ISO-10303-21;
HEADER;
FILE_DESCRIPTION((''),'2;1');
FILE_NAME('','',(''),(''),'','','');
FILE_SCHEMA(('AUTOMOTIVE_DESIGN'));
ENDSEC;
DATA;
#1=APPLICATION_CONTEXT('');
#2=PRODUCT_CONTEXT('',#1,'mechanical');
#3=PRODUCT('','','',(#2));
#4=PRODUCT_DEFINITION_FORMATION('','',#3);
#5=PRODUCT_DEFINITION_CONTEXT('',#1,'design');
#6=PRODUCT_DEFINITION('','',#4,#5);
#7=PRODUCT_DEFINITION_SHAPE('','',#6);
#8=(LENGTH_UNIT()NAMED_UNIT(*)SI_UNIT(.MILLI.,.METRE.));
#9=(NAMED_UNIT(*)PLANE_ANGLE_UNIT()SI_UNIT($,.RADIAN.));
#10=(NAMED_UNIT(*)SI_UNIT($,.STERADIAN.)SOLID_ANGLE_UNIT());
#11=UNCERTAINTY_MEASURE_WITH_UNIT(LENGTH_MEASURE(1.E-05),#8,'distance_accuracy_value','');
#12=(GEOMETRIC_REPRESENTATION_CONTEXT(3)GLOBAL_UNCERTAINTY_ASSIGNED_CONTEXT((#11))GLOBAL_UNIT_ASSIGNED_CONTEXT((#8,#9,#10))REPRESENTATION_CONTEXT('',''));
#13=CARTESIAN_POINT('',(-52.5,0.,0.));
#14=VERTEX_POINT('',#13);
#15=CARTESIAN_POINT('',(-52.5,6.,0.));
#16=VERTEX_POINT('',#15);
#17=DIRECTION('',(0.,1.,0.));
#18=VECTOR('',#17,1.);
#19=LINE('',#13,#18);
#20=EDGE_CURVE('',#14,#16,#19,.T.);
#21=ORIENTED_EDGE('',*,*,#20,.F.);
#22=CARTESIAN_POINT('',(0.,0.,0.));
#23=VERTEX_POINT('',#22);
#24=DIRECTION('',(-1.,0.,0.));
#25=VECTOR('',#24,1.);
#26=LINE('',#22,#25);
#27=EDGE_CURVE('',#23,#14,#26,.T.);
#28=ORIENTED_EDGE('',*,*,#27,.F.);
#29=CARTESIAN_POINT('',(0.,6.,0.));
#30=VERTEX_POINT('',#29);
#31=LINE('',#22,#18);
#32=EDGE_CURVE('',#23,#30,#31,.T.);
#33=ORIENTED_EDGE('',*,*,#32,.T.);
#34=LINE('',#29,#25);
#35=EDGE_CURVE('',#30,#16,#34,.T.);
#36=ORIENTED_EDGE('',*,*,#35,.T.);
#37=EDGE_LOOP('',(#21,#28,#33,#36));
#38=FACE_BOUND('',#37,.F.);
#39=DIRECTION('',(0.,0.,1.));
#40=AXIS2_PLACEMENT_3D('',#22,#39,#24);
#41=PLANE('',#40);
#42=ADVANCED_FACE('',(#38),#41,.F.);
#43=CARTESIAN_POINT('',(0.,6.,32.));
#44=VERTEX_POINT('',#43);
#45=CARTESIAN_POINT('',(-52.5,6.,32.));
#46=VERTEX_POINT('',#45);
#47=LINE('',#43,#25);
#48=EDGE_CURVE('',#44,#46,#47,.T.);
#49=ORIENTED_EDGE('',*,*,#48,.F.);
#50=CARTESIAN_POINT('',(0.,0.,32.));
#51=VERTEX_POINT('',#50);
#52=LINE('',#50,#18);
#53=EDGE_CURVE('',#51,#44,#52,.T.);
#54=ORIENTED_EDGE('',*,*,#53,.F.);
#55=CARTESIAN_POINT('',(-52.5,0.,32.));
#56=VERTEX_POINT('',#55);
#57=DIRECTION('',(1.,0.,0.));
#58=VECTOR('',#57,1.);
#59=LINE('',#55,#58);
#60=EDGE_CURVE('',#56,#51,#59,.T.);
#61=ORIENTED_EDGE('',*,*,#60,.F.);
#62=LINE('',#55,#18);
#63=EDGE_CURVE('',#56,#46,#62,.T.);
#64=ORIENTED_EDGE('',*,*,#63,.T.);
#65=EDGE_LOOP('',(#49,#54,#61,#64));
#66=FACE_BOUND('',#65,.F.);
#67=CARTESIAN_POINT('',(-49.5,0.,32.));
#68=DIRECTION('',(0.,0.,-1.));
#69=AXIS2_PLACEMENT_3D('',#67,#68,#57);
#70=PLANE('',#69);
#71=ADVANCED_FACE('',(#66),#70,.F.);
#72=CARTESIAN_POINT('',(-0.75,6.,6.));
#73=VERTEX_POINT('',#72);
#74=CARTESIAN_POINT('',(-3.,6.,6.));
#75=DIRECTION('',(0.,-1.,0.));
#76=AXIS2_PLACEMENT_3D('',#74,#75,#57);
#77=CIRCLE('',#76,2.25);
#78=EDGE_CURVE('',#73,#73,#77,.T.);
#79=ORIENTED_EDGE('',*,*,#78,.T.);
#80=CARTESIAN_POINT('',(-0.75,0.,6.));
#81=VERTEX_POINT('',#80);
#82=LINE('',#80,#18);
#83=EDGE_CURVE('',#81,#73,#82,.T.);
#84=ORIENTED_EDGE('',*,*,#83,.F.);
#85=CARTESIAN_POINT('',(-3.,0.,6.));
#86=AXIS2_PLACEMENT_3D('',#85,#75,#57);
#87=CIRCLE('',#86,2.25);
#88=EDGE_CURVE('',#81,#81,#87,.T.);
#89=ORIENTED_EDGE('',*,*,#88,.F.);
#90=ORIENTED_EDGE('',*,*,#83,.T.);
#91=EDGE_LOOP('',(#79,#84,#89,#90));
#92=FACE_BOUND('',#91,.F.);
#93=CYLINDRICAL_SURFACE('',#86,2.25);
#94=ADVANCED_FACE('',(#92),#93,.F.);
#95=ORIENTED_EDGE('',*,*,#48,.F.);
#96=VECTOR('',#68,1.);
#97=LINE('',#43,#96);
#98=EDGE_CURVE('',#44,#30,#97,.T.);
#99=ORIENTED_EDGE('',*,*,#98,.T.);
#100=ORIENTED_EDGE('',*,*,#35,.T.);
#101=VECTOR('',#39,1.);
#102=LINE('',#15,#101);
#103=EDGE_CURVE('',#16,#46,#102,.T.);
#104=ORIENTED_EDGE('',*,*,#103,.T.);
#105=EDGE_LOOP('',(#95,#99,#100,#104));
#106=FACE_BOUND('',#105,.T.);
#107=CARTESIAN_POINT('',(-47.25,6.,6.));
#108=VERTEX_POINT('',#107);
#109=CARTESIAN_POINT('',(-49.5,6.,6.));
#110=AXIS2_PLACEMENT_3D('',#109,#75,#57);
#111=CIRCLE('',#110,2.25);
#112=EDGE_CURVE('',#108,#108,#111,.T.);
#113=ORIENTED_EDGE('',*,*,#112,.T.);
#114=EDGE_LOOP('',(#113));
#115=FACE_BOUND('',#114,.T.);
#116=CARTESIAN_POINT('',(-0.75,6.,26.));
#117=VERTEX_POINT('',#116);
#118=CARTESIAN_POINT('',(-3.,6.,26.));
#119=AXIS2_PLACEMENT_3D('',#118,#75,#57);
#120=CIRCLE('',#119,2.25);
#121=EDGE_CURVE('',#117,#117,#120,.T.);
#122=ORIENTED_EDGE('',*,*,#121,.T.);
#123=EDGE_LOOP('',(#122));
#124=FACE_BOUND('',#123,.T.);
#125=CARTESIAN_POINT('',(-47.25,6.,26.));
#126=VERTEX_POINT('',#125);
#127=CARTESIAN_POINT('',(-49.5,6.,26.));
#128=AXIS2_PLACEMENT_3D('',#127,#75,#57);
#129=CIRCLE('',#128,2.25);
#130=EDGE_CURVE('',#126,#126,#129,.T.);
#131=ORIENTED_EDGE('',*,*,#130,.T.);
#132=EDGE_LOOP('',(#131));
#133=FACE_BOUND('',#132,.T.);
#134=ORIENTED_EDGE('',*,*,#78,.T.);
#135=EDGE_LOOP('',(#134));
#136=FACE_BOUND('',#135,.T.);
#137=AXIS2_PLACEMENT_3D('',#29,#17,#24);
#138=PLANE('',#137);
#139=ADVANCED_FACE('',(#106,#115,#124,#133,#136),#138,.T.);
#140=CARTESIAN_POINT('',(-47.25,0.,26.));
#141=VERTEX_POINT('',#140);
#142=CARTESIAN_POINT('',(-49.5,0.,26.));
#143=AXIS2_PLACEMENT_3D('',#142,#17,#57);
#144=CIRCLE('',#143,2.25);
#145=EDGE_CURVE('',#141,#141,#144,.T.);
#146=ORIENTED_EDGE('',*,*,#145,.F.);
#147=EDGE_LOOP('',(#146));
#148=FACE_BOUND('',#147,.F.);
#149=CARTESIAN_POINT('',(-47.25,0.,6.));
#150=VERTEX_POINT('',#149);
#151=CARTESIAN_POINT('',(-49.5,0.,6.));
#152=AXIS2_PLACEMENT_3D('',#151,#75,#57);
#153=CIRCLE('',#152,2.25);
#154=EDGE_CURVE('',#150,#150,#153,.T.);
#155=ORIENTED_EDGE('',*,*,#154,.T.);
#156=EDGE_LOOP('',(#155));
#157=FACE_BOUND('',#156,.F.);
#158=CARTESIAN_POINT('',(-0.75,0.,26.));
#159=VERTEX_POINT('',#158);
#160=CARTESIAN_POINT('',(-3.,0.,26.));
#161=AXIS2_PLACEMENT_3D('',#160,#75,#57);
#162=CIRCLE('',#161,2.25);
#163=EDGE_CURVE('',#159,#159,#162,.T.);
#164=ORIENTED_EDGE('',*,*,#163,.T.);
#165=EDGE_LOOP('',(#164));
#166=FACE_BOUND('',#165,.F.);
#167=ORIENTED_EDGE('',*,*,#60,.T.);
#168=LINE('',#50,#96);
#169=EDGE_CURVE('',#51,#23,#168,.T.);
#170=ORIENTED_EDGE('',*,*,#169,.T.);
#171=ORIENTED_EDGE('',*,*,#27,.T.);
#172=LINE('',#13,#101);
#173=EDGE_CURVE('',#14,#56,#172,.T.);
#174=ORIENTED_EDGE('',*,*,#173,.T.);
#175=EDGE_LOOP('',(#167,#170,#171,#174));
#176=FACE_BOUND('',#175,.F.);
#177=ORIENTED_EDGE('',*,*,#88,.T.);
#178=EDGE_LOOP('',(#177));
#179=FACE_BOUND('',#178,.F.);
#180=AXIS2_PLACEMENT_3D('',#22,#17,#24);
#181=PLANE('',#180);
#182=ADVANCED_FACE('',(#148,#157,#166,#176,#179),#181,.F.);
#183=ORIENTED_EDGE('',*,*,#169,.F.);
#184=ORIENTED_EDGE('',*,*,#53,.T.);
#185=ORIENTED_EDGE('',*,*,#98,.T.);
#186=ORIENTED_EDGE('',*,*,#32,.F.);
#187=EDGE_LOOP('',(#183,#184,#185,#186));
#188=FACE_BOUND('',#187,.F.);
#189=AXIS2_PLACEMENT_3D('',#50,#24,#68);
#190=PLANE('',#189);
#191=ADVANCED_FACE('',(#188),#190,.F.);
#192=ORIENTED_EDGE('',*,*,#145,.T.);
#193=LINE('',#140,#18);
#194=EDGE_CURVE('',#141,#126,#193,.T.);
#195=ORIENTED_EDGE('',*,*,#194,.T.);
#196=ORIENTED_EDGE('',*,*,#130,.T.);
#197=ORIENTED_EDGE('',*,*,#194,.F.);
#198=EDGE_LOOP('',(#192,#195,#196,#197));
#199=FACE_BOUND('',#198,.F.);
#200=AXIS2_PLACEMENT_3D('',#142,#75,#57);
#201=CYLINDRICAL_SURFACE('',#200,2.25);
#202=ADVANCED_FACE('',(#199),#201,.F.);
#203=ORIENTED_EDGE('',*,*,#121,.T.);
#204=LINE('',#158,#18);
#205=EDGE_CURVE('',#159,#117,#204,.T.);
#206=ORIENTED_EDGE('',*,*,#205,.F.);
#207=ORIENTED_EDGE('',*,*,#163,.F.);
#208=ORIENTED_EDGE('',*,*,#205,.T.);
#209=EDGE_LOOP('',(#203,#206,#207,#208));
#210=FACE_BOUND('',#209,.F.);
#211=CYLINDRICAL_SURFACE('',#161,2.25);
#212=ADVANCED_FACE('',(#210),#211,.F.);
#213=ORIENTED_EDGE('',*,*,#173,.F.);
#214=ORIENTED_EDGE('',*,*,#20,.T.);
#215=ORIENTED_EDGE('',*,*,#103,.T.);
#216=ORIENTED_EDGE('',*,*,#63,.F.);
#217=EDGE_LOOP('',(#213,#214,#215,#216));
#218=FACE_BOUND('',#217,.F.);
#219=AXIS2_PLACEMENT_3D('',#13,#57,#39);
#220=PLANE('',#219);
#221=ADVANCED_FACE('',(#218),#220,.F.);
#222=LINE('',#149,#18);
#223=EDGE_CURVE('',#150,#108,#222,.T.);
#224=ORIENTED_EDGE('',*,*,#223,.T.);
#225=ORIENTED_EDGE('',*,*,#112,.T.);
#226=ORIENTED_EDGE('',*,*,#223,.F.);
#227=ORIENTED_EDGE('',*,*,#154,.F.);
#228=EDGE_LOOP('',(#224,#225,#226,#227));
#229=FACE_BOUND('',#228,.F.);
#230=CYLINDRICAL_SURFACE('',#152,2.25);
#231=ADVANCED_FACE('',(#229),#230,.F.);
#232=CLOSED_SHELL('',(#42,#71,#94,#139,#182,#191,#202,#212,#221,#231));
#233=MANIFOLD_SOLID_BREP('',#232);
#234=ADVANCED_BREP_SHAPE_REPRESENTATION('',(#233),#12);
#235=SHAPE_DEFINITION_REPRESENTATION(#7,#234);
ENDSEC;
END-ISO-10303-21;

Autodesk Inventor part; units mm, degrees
ref_plane "YZ Plane" through (0, 0, 0) normal (1, 0, 0) x (0, 1, 0)
ref_plane "XZ Plane" through (0, 0, 0) normal (0, 1, 0) x (-1, 0, 0)
ref_plane "XY Plane" through (0, 0, 0) normal (0, 0, 1) x (1, 0, 0)
sketch "Sketch11" plane through (0, 0, 0) normal (0, 1, 0) x (-1, 0, 0)
  line L0 (0, 0) -> (52.5, 0)
  line L1 (52.5, 0) -> (52.5, 32)
  line L2 (52.5, 32) -> (0, 32)
  line L3 (0, 32) -> (0, 0)
  line L4 (52.5, 32) -> (49.5, 32)
  dimension "d63" = 52.5
  dimension "d64" = 32
  dimension "d67" = 3
extrude "Extrusion10" add sketch "Sketch11" along normal blind 6
sketch "Sketch12" plane through (0, 0, 0) normal (0, -1, 0) x (1, 0, 0)
  line L0 (-52.5, 32) -> (-49.5, 32)
  line L1 (-52.5, 32) -> (0, 32) projected
  line L2 (-49.5, 32) -> (-49.5, 26)
  circle A0 centre (-49.5, 26) radius 2.25
  circle A1 centre (-3, 26) radius 2.25
  circle A2 centre (-49.5, 6) radius 2.25
  circle A3 centre (-3, 6) radius 2.25
  point P0 (0, 0)
  dimension "d68" = 3
  dimension "d69" = 6
  dimension "d70" = 4.5
  dimension "d73" = 46.5
  dimension "d76" = 20
extrude "Extrusion11" cut sketch "Sketch12" against normal blind 10
properties part number "suporte-barra" material "Steel, Carbon"
